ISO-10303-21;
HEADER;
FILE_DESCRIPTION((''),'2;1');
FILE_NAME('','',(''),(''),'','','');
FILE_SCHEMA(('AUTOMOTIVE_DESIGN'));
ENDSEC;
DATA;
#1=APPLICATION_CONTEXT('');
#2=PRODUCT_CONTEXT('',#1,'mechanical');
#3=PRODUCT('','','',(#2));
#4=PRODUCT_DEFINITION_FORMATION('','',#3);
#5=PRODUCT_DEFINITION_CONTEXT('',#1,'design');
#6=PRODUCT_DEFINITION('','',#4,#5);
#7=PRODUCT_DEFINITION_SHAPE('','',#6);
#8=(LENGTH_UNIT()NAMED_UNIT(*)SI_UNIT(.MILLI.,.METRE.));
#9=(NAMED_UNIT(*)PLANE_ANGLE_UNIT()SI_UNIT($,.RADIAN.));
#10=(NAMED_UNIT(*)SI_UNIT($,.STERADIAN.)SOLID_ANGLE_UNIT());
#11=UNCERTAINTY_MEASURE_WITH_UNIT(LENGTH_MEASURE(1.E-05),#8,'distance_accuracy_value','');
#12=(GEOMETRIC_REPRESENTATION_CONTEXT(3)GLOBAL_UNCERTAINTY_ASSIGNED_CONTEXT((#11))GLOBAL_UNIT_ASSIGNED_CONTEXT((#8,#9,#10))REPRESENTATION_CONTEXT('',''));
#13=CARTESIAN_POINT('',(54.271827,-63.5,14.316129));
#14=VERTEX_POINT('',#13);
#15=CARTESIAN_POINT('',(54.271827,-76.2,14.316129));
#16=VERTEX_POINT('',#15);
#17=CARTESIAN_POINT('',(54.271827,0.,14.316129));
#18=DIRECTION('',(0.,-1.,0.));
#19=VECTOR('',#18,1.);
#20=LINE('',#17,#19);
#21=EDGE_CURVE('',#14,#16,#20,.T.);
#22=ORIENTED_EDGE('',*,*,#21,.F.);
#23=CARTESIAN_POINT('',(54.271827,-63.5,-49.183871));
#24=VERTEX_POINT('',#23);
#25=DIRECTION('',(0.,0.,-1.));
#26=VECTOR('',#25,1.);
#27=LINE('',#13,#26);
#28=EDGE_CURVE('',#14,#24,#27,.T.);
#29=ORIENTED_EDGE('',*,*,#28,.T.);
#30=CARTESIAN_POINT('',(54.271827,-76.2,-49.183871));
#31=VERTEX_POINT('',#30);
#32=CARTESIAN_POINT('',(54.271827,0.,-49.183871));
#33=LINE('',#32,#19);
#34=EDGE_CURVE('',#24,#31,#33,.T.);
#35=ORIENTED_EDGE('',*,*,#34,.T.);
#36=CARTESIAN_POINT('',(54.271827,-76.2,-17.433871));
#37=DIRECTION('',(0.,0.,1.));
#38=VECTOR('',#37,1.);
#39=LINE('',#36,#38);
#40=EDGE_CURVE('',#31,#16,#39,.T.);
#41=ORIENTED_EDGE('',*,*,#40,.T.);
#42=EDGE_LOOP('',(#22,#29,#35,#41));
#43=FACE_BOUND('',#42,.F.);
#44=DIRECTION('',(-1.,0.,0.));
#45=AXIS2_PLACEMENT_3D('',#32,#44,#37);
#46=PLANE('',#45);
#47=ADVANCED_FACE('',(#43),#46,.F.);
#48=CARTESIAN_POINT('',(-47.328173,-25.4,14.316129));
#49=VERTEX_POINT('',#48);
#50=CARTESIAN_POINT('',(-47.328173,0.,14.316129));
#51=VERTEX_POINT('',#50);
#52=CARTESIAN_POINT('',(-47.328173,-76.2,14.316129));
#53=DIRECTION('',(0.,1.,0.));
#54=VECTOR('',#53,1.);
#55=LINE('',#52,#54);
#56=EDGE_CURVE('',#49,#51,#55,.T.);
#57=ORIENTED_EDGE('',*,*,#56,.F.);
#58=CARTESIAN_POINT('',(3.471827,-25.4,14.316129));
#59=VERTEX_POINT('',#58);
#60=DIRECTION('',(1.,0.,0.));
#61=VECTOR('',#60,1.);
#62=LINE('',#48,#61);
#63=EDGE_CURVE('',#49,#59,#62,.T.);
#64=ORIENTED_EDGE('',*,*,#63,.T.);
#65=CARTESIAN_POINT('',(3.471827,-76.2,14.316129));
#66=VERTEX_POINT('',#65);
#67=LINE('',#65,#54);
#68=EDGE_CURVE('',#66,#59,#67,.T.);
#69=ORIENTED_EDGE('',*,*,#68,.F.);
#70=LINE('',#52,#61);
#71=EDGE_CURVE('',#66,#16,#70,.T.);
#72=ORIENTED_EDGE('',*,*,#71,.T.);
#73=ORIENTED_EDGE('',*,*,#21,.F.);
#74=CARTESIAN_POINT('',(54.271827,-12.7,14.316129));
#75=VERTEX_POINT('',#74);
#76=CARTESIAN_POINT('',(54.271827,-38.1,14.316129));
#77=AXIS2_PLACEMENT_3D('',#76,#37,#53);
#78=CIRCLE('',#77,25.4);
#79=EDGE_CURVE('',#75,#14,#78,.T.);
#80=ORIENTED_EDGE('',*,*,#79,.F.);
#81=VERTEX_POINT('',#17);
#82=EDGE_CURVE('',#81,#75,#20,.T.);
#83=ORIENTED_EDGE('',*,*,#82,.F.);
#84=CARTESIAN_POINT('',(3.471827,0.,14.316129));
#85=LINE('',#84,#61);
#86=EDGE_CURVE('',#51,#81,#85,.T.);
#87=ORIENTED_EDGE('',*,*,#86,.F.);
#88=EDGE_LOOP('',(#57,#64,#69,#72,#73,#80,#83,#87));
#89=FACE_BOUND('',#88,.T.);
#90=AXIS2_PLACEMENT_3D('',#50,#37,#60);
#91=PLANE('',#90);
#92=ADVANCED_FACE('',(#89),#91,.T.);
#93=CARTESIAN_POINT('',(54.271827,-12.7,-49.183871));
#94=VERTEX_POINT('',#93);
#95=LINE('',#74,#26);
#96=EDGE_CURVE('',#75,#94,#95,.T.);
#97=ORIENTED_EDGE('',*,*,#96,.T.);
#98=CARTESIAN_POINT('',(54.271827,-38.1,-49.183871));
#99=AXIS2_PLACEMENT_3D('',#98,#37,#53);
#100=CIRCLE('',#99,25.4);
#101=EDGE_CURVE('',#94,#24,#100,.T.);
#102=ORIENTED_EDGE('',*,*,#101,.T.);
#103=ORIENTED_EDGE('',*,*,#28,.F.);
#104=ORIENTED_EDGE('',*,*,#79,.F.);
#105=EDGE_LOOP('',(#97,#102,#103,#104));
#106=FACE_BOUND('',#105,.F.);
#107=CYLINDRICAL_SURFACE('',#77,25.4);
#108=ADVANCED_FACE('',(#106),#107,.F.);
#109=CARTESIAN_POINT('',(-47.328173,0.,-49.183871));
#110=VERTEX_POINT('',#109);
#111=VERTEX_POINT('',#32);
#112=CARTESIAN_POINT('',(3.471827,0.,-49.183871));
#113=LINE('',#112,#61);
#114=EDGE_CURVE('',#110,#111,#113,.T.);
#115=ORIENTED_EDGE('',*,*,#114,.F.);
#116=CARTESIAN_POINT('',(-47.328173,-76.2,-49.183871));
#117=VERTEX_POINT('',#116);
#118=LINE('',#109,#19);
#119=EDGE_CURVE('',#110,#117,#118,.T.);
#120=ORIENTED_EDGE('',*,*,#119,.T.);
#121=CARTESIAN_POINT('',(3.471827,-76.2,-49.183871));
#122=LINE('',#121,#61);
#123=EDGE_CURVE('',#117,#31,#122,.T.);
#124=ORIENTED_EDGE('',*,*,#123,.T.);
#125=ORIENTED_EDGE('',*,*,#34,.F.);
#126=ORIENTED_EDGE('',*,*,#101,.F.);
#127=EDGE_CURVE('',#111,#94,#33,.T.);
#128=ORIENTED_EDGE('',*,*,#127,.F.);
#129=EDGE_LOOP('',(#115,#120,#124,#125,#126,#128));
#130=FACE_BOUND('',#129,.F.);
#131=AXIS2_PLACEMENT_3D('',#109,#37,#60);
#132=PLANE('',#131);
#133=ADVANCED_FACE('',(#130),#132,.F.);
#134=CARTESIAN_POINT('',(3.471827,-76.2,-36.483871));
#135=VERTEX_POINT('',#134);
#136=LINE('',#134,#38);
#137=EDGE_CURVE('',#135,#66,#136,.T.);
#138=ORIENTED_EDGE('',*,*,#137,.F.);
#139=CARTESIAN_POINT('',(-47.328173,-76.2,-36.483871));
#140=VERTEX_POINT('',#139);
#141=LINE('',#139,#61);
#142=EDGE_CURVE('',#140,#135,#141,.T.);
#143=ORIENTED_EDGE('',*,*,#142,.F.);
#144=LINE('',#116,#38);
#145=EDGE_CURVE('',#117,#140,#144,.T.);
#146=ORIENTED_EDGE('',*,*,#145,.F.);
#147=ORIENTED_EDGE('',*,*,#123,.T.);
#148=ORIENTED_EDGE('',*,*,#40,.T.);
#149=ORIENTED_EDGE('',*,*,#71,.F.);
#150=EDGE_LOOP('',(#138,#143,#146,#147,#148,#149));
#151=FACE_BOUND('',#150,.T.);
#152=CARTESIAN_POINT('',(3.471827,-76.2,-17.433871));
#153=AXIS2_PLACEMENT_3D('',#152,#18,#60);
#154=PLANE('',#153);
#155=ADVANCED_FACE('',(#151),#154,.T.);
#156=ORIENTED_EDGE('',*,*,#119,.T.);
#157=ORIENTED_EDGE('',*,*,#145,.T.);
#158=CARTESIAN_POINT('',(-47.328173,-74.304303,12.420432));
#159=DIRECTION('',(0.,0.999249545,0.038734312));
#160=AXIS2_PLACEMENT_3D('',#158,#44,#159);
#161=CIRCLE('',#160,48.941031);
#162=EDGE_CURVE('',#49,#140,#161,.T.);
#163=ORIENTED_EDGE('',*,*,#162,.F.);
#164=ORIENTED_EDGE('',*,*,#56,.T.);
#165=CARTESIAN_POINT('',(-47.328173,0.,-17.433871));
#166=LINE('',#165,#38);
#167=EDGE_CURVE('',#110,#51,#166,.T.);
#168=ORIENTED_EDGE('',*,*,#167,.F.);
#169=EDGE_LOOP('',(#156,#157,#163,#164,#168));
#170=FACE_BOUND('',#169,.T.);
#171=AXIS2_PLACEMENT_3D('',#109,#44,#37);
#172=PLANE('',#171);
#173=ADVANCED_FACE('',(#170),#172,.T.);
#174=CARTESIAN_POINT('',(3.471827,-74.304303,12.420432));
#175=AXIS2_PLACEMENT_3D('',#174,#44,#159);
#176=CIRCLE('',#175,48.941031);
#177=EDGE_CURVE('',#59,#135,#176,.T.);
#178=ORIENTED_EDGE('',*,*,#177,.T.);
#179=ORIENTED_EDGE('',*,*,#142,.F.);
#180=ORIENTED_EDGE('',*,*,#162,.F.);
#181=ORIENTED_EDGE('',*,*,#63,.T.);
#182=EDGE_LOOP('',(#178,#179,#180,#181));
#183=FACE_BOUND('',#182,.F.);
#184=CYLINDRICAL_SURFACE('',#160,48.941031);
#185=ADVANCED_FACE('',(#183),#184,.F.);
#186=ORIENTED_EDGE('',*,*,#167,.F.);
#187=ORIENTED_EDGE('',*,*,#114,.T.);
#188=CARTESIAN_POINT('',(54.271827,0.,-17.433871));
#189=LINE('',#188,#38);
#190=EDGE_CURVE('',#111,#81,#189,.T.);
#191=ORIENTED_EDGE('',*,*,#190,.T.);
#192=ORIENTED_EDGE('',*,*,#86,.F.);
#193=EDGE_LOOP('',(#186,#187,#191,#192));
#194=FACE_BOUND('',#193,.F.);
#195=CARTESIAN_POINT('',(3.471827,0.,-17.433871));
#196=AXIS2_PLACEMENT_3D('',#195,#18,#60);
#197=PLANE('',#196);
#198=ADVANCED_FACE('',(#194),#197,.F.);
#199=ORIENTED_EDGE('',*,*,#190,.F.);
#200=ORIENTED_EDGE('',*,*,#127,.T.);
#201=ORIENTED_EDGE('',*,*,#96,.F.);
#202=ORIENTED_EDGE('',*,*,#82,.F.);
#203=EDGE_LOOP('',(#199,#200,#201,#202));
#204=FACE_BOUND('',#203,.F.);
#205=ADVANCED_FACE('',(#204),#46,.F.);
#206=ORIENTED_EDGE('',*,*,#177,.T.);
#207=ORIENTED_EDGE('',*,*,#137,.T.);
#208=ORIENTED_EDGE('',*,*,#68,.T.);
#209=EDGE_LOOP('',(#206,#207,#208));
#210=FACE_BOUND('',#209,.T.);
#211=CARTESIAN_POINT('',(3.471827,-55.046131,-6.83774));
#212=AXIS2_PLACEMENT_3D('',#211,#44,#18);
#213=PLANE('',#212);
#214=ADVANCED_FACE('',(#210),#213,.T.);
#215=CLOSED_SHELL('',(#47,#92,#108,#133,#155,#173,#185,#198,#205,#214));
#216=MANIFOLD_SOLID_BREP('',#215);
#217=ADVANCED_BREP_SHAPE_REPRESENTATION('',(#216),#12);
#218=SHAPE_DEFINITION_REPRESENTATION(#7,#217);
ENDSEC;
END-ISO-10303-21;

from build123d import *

# Parameters (mm, degrees)
F0_W     = 101.6
F0_H     = 63.5
F1_DEPTH = 76.2
F3_DEPTH = 63.5
F5_DEPTH = 50.8
F7_DEPTH = 50.8


with BuildPart() as f1:
    # F0 (on Front) → F1 (new body)
    with BuildSketch(Plane.XZ):
        with Locations((3.4718271345, -17.4338711586)):
            Rectangle(F0_W, F0_H)
    extrude(amount=F1_DEPTH)

    # F2 (on face) → F3 (cut)
    with BuildSketch(Plane.XY.offset(14.3161288414)):
        with BuildLine():
            Line((54.2718271345, -63.5), (54.2718271345, -12.7))
            ThreePointArc((54.2718271345, -12.7), (28.8718271345, -38.1), (54.2718271345, -63.5))
        make_face()
    extrude(amount=-F3_DEPTH, mode=Mode.SUBTRACT)

    # F4 (on face) → F5 (cut)
    with BuildSketch(Plane(origin=(-47.3281728655, 0, 0), x_dir=(0, -1, 0), z_dir=(-1, 0, 0))):
        with BuildLine():
            ThreePointArc((76.2, -39.4728052417), (114.234520043, -23.7183912016), (129.9889340831, 14.3161288414))
            ThreePointArc((129.9889340831, 14.3161288414), (76.2, 68.1050629246), (22.4110659169, 14.3161288414))
            Line((22.4110659169, 14.3161288414), (76.2, 14.3161288414))
            Line((76.2, 14.3161288414), (76.2, -39.4728052417))
        make_face()
    extrude(amount=-F5_DEPTH, mode=Mode.SUBTRACT)

    # F6 (on face) → F7 (cut)
    with BuildSketch(Plane(origin=(-47.3281728655, 0, 0), x_dir=(0, -1, 0), z_dir=(-1, 0, 0))):
        with BuildLine():
            Line((76.2, 14.3161288414), (25.4, 14.3161288414))
            ThreePointArc((25.4, 14.3161288414), (39.6977680254, -22.1861031331), (76.2, -36.4838711586))
            Line((76.2, -36.4838711586), (76.2, 14.3161288414))
        make_face()
    extrude(amount=-F7_DEPTH, mode=Mode.SUBTRACT)


solid = f1.part
